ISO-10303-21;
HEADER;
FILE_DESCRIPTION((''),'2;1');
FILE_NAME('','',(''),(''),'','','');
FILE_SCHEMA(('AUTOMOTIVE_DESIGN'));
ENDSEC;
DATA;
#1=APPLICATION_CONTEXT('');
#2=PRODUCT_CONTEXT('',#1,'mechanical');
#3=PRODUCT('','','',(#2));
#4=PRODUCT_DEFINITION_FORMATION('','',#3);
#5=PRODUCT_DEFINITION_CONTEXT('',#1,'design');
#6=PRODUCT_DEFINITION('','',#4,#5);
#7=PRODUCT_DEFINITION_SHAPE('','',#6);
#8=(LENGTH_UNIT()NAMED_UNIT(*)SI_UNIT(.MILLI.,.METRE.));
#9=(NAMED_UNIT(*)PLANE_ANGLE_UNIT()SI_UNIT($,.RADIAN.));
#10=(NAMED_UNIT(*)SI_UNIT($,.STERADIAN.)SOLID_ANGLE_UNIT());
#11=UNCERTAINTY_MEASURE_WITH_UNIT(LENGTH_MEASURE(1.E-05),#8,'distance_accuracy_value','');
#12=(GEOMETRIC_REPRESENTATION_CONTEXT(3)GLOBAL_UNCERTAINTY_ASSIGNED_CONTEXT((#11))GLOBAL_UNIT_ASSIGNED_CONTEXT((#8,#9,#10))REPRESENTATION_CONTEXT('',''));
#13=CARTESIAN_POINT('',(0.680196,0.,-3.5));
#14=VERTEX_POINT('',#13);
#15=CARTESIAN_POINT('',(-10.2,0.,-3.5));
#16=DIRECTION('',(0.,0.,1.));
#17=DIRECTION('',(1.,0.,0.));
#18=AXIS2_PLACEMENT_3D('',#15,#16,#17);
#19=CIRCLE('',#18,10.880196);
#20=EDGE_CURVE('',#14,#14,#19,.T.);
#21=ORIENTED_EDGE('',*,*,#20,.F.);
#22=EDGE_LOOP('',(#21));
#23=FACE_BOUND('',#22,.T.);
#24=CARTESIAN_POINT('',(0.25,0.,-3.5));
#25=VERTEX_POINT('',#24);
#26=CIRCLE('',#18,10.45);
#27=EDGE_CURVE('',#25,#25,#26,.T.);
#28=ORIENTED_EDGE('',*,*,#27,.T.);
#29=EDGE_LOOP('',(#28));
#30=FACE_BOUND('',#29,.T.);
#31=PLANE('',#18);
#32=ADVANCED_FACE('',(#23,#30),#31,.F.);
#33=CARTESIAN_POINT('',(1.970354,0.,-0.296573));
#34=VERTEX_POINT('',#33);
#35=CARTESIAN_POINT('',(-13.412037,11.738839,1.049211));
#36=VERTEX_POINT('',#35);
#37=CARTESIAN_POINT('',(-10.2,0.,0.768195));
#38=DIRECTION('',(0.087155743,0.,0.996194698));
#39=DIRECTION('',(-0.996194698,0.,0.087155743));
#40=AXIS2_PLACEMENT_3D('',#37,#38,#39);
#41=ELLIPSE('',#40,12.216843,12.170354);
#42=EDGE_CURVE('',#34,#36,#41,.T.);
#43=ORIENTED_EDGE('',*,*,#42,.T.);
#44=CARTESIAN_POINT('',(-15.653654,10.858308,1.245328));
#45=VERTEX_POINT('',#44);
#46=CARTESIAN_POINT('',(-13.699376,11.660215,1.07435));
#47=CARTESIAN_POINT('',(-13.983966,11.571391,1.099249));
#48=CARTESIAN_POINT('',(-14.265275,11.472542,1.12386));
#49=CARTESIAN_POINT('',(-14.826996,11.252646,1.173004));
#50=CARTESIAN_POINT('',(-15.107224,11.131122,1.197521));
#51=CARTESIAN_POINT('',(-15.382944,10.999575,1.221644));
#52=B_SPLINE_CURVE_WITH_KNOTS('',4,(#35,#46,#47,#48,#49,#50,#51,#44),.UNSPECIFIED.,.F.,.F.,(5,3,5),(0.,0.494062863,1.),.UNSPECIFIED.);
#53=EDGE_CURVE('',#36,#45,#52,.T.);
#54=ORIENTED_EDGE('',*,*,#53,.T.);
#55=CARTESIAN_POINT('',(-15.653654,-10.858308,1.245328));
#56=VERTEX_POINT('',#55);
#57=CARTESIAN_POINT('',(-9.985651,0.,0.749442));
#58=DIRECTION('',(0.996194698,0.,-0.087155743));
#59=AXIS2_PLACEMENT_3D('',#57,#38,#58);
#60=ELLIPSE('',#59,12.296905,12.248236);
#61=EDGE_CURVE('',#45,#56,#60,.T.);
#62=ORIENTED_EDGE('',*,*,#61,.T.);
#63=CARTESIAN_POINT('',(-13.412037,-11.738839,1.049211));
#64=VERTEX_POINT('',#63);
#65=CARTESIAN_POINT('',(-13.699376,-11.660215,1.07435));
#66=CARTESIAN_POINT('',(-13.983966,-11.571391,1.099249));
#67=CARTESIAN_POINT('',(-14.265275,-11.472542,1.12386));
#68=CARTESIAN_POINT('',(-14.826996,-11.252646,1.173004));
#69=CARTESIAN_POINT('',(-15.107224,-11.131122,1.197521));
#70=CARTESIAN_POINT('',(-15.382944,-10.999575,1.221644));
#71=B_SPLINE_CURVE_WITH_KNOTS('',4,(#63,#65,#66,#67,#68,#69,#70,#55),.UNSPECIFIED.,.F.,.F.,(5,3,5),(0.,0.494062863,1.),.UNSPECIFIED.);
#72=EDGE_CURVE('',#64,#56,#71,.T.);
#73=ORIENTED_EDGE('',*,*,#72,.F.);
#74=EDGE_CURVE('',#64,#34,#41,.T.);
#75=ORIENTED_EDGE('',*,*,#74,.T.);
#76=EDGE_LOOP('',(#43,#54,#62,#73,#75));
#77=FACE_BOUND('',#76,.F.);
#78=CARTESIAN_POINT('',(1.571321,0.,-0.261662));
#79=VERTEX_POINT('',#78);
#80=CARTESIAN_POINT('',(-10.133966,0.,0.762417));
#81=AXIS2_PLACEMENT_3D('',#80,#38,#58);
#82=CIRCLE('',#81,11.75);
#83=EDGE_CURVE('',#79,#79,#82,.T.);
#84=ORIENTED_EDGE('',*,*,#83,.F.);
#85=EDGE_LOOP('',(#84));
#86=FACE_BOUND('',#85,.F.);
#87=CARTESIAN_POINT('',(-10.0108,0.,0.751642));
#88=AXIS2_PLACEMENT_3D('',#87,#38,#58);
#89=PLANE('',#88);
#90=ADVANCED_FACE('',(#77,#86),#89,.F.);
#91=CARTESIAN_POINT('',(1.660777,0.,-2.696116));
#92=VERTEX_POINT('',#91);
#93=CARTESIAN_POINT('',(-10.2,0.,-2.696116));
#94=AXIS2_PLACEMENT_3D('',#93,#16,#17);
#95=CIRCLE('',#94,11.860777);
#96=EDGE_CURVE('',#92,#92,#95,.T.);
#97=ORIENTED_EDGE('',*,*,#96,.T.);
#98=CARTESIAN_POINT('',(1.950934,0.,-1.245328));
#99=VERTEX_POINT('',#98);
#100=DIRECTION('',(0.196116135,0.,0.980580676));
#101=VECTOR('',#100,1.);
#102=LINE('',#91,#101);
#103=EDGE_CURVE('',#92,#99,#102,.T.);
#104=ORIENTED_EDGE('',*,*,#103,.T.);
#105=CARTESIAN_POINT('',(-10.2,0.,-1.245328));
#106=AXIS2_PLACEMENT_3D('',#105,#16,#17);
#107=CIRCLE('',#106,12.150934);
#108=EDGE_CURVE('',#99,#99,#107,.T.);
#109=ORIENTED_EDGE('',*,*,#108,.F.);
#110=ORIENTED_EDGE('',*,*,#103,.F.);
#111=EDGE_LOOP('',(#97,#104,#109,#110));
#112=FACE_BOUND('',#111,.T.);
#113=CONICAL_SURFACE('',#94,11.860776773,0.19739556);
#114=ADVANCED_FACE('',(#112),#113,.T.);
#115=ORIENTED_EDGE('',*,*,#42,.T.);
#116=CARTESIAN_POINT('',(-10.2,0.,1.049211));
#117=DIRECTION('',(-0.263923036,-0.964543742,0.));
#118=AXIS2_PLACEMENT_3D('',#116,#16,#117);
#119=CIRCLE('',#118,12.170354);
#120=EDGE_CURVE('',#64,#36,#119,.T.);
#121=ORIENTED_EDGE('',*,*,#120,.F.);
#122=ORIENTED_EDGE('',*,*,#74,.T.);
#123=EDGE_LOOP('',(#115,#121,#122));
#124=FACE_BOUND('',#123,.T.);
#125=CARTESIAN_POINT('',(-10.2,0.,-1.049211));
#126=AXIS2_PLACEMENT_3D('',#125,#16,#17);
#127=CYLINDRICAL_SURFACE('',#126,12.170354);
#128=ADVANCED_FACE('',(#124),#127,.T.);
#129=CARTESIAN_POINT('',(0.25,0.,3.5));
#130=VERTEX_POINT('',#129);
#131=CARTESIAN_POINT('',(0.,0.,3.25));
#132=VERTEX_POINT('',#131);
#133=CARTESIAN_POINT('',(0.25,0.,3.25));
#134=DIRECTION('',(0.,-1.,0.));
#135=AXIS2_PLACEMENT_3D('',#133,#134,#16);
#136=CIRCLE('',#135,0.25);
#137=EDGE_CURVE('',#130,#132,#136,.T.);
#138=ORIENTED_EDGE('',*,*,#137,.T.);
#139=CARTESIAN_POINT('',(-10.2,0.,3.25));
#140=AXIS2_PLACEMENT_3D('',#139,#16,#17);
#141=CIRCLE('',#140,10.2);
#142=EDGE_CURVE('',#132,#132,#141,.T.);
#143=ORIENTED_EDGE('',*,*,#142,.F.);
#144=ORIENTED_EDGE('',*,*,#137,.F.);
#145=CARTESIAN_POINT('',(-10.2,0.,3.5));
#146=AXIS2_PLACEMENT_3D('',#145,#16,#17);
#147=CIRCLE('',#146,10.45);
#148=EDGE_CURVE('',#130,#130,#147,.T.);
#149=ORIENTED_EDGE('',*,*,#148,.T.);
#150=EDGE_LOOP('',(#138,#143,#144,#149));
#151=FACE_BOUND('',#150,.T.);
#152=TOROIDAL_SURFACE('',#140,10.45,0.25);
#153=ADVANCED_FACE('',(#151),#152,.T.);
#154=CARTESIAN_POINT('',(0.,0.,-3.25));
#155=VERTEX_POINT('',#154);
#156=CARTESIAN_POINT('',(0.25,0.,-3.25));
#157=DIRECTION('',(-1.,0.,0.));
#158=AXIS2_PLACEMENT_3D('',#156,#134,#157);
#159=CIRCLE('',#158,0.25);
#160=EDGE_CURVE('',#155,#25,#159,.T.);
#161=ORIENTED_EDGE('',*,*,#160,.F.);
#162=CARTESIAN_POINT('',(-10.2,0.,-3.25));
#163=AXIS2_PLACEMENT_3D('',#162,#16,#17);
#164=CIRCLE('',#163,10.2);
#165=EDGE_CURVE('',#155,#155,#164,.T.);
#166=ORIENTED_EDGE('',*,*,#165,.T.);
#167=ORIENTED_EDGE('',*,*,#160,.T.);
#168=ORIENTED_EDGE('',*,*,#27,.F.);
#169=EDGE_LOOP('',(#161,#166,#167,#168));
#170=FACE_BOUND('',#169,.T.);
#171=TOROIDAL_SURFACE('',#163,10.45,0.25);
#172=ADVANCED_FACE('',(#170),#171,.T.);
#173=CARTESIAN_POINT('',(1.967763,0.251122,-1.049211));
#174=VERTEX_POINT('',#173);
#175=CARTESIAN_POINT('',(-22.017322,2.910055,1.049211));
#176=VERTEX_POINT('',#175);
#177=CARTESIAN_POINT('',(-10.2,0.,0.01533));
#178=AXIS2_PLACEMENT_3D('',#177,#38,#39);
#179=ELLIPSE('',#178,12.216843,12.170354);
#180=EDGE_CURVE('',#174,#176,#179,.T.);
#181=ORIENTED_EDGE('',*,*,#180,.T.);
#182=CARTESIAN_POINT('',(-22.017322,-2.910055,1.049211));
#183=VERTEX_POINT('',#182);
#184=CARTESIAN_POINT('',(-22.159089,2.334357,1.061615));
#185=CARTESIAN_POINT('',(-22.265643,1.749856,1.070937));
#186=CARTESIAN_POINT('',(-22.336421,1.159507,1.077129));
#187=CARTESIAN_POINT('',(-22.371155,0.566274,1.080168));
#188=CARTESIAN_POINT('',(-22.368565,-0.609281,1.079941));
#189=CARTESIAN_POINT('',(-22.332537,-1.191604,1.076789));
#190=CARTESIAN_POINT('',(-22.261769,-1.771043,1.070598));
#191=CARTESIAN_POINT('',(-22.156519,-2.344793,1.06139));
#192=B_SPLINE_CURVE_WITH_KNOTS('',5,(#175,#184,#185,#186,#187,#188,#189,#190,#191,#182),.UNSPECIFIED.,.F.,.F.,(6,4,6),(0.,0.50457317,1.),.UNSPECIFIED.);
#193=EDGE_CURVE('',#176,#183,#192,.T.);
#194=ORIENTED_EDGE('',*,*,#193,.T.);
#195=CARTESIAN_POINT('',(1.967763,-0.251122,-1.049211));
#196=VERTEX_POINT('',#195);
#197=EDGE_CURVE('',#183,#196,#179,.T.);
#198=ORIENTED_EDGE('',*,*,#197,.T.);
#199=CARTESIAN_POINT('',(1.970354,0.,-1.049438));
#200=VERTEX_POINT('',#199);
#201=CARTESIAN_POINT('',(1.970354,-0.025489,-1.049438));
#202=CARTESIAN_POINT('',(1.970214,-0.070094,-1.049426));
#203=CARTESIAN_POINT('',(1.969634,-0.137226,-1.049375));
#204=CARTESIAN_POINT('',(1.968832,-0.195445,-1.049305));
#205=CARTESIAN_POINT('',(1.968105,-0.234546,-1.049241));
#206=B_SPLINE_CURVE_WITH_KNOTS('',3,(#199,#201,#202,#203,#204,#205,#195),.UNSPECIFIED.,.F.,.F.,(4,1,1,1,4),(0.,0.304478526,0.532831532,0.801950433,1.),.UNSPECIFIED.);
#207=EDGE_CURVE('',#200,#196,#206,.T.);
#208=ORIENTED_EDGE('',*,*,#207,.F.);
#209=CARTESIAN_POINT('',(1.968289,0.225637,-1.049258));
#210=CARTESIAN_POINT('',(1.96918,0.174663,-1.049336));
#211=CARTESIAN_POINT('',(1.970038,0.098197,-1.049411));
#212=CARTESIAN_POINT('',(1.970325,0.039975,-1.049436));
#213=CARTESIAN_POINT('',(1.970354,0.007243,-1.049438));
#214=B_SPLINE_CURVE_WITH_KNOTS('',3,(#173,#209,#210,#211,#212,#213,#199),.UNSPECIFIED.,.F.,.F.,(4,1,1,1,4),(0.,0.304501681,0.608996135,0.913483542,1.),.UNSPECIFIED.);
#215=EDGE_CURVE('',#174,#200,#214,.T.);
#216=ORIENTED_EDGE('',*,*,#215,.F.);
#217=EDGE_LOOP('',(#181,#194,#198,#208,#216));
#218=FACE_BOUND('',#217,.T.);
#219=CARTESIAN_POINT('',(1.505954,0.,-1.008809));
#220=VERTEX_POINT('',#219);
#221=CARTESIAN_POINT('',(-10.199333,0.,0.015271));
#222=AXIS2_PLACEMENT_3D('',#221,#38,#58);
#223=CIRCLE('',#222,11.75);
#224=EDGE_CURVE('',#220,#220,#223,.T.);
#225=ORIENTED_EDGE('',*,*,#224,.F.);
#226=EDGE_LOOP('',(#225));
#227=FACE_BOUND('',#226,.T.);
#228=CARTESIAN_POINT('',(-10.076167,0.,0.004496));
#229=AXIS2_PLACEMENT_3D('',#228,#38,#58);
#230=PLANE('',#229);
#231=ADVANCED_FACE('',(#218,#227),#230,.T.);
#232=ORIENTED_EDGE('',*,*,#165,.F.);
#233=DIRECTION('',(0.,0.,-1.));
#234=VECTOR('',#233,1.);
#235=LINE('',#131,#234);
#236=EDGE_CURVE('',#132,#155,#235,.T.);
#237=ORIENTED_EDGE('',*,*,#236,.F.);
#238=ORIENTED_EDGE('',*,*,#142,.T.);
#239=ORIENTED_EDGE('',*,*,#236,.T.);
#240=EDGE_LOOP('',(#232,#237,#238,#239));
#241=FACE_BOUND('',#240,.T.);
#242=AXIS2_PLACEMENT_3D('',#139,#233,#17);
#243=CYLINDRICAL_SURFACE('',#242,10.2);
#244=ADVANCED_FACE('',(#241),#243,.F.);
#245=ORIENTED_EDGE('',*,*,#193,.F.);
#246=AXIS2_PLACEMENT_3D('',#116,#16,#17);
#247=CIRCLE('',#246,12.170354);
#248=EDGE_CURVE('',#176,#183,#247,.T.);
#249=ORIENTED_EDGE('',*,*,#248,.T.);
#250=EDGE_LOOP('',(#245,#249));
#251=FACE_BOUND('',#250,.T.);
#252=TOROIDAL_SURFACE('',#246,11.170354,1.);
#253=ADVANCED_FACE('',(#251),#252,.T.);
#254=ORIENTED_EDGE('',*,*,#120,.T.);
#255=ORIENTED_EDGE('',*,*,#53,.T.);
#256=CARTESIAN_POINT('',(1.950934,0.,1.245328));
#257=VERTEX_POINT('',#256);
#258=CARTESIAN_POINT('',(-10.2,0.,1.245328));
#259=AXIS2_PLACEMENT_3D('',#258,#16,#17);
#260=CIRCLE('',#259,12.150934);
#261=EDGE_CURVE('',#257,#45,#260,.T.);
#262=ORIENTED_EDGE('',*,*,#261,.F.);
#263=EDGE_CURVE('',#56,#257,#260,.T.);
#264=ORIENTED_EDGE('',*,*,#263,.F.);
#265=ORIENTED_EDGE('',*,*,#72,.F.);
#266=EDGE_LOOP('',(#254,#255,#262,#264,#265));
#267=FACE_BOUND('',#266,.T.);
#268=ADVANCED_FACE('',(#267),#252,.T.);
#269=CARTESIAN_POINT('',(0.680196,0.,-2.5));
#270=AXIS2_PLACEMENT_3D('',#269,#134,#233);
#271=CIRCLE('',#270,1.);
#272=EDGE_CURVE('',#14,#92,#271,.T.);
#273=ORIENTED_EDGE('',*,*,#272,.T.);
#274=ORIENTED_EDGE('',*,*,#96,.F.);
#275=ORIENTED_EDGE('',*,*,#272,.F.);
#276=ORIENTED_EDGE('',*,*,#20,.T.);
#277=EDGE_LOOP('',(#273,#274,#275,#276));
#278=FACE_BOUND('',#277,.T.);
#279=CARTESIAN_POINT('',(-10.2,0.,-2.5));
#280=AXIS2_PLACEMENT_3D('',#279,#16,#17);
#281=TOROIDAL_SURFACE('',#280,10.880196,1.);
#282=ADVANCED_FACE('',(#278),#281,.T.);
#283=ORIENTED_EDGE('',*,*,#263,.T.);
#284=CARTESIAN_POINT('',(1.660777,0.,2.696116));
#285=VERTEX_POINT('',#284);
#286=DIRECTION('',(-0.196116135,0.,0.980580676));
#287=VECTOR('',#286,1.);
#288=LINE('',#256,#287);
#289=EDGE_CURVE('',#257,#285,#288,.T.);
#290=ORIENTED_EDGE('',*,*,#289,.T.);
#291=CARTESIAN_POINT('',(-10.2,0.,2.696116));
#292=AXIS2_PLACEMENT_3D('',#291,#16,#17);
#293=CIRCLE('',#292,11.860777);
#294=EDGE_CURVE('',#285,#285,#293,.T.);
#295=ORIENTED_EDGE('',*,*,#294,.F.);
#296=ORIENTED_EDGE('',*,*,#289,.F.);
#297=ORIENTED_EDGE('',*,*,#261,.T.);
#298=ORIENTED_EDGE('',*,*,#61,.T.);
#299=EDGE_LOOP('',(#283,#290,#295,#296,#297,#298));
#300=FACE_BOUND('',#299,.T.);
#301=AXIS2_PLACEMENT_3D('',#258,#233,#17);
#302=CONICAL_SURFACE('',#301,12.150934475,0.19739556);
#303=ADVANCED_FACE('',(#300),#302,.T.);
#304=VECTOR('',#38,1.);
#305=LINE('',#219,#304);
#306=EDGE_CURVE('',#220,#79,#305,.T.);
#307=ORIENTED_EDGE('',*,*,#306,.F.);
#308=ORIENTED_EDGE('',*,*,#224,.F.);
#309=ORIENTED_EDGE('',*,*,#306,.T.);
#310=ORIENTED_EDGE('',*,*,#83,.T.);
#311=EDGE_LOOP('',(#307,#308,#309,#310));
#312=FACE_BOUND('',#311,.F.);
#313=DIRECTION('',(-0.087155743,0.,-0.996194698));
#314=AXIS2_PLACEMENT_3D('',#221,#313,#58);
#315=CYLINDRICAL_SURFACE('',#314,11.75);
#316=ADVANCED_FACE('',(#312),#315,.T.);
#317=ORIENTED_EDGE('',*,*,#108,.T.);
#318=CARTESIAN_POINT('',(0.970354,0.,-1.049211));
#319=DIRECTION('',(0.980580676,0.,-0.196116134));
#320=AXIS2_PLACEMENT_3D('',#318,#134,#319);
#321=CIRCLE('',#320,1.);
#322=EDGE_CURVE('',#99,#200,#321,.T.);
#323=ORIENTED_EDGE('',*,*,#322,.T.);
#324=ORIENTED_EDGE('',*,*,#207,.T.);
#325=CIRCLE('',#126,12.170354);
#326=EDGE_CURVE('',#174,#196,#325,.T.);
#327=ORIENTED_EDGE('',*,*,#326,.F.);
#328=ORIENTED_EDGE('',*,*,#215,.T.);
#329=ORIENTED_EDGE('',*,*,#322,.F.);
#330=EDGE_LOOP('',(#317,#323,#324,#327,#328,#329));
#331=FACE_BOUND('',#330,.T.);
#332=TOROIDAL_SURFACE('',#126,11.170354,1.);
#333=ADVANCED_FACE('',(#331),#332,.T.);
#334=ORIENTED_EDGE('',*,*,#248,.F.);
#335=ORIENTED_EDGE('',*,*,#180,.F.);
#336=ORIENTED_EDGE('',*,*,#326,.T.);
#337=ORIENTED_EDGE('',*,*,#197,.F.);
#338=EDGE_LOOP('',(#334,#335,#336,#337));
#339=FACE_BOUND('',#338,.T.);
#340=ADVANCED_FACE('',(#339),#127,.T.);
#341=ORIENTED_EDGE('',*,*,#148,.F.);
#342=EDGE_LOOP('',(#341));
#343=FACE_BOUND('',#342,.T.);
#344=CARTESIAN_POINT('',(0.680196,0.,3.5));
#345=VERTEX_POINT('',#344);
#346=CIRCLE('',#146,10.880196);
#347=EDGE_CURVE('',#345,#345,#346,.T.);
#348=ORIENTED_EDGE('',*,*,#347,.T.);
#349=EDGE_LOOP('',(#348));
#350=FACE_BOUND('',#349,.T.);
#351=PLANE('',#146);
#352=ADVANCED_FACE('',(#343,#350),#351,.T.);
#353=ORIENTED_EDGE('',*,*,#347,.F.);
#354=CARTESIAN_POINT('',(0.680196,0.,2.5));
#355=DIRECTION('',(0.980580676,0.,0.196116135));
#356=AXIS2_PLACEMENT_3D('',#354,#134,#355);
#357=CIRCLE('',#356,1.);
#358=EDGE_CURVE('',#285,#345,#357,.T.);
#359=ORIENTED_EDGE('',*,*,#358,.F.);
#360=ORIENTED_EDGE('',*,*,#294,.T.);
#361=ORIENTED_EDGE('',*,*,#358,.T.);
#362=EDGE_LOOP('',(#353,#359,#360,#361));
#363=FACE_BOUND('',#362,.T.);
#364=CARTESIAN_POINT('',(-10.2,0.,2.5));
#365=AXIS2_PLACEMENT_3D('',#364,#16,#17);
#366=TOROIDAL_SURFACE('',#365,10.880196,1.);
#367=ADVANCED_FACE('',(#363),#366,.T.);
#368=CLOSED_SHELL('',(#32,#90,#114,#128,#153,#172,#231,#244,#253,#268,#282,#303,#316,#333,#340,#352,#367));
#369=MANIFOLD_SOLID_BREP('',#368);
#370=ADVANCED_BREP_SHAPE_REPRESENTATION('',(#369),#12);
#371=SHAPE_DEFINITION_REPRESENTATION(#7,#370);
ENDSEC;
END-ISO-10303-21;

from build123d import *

# Parameters (mm, degrees)
F3_R     = 11.75
F5_DEPTH = 0.75
F2_R     = 18.1470501703
F7_ANGLE = 5


with BuildPart() as f1:
    # F0 (on Front) → F1 (revolve)
    with BuildSketch(Plane.XZ):
        with BuildLine():
            Line((0, 3.25), (0, 0))
            Line((0, 0), (0, -3.25))
            ThreePointArc((0, -3.25), (0.0732233047, -3.4267766953), (0.25, -3.5))
            Line((0.25, -3.5), (0.6801960973, -3.5))
            ThreePointArc((0.6801960973, -3.5), (1.3141850029, -3.2733421413), (1.660776773, -2.6961161351))
            Line((1.660776773, -2.6961161351), (1.9509344755, -1.2453276227))
            ThreePointArc((1.9509344755, -1.2453276227), (1.9654871264, -1.1477491056), (1.9703537998, -1.0492114876))
            Line((1.9703537998, -1.0492114876), (1.9703537998, 0))
            Line((1.9703537998, 0), (1.9703537998, 1.0492114876))
            ThreePointArc((1.9703537998, 1.0492114876), (1.9654871264, 1.1477491056), (1.9509344755, 1.2453276227))
            Line((1.9509344755, 1.2453276227), (1.660776773, 2.6961161351))
            ThreePointArc((1.660776773, 2.6961161351), (1.3141850029, 3.2733421413), (0.6801960973, 3.5))
            Line((0.6801960973, 3.5), (0.25, 3.5))
            ThreePointArc((0.25, 3.5), (0.0732233047, 3.4267766953), (0, 3.25))
        make_face()
    revolve(axis=Axis((-10.2, 0, 1.7540712142), (0, 0, 1)))


with BuildPart() as f5:
    # F3 (on Top) → F5 (new body)
    with BuildSketch(Plane.XY):
        with Locations((-10.2, 0)):
            Circle(F3_R)
    extrude(amount=F5_DEPTH)


with BuildPart() as f5b:
    # F2 (on Top) → F5, piece 2 (new body)
    with BuildSketch(Plane.XY):
        with Locations((-10.076363571, 0)):
            Circle(F2_R)
    extrude(amount=F5_DEPTH)

    # F6: cut F5
    add(f5.part, mode=Mode.SUBTRACT)


with BuildPart() as f5b_1:
    # F7: moved
    add(f5b.part.rotate(Axis((-10.0247794762, 17.2923859209, 0), (0, 1, 0)), F7_ANGLE))


with BuildPart() as f1_1:
    add(f1.part)

    # F8: cut F5b
    add(f5b_1.part, mode=Mode.SUBTRACT)


solid = f1_1.part
